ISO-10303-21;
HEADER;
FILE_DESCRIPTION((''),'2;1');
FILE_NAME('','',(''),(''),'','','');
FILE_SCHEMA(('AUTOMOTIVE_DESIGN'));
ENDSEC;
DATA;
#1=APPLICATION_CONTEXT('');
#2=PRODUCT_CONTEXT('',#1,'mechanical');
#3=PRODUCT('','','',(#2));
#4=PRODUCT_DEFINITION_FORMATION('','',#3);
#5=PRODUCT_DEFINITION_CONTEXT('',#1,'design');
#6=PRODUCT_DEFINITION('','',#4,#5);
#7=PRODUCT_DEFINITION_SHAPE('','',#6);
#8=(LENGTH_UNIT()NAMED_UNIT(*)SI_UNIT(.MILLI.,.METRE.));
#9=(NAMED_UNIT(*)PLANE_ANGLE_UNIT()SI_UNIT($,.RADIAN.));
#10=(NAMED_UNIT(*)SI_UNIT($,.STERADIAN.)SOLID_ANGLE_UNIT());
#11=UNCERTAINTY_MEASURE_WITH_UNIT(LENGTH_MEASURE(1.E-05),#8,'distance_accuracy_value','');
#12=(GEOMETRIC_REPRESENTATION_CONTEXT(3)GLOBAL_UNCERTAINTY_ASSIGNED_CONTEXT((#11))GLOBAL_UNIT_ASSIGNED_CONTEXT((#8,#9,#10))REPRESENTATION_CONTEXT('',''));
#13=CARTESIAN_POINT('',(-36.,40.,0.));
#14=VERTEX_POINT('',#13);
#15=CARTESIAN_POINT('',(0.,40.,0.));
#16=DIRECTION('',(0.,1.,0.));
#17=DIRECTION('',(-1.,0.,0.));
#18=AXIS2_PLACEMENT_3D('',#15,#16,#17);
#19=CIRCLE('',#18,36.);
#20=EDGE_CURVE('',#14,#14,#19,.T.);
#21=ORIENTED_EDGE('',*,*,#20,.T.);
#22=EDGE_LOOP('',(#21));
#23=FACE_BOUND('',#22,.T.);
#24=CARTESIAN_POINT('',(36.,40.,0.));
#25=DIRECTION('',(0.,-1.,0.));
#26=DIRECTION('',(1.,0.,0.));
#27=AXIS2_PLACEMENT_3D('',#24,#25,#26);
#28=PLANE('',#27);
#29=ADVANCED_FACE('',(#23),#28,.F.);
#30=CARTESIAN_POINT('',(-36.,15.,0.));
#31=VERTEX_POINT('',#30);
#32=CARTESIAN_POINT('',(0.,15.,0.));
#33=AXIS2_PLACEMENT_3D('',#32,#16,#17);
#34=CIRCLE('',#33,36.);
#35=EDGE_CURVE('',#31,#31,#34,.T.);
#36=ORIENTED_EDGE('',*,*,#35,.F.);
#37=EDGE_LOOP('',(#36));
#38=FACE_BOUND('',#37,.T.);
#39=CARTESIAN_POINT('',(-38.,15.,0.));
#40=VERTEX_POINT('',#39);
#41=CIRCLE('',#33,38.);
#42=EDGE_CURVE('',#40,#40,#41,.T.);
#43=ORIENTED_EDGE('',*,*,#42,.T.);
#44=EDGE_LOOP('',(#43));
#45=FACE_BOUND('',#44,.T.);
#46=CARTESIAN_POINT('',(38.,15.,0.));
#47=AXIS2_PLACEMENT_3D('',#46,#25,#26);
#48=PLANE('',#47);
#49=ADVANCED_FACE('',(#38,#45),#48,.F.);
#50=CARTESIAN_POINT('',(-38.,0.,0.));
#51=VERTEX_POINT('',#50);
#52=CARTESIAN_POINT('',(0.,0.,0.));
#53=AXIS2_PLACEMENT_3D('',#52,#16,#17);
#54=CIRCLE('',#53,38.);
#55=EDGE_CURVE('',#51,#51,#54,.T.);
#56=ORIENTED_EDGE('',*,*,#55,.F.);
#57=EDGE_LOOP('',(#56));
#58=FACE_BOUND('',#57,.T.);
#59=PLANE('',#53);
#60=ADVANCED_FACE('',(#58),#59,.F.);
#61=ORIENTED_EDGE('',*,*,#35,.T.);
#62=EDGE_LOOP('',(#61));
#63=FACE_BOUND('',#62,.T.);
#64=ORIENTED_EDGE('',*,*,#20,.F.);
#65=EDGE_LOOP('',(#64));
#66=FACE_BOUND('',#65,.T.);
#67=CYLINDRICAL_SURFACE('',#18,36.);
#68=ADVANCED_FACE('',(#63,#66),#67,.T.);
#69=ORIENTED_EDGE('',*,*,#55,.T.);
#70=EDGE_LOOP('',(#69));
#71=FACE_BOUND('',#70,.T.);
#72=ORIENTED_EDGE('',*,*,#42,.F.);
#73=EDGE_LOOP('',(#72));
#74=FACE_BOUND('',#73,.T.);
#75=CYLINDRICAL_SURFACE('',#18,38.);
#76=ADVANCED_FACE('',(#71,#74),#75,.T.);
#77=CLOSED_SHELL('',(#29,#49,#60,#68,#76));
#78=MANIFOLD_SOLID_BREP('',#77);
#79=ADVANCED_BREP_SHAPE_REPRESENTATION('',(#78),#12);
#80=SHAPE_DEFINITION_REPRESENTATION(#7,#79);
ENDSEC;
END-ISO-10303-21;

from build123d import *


with BuildPart() as part:
    # Sketch1 → Revolve1 (revolve)
    with BuildSketch(Plane.XY, mode=Mode.PRIVATE) as revolve1_sk:
        Polygon((0, 0), (38, 0), (38, 15), (36, 15), (36, 40), (0, 40), align=None)
    revolve(revolve1_sk.sketch.rotate(Axis((0, 40, 0), (0, -1, 0)), 180), axis=Axis((0, 40, 0), (0, -1, 0)))


solid = part.part
